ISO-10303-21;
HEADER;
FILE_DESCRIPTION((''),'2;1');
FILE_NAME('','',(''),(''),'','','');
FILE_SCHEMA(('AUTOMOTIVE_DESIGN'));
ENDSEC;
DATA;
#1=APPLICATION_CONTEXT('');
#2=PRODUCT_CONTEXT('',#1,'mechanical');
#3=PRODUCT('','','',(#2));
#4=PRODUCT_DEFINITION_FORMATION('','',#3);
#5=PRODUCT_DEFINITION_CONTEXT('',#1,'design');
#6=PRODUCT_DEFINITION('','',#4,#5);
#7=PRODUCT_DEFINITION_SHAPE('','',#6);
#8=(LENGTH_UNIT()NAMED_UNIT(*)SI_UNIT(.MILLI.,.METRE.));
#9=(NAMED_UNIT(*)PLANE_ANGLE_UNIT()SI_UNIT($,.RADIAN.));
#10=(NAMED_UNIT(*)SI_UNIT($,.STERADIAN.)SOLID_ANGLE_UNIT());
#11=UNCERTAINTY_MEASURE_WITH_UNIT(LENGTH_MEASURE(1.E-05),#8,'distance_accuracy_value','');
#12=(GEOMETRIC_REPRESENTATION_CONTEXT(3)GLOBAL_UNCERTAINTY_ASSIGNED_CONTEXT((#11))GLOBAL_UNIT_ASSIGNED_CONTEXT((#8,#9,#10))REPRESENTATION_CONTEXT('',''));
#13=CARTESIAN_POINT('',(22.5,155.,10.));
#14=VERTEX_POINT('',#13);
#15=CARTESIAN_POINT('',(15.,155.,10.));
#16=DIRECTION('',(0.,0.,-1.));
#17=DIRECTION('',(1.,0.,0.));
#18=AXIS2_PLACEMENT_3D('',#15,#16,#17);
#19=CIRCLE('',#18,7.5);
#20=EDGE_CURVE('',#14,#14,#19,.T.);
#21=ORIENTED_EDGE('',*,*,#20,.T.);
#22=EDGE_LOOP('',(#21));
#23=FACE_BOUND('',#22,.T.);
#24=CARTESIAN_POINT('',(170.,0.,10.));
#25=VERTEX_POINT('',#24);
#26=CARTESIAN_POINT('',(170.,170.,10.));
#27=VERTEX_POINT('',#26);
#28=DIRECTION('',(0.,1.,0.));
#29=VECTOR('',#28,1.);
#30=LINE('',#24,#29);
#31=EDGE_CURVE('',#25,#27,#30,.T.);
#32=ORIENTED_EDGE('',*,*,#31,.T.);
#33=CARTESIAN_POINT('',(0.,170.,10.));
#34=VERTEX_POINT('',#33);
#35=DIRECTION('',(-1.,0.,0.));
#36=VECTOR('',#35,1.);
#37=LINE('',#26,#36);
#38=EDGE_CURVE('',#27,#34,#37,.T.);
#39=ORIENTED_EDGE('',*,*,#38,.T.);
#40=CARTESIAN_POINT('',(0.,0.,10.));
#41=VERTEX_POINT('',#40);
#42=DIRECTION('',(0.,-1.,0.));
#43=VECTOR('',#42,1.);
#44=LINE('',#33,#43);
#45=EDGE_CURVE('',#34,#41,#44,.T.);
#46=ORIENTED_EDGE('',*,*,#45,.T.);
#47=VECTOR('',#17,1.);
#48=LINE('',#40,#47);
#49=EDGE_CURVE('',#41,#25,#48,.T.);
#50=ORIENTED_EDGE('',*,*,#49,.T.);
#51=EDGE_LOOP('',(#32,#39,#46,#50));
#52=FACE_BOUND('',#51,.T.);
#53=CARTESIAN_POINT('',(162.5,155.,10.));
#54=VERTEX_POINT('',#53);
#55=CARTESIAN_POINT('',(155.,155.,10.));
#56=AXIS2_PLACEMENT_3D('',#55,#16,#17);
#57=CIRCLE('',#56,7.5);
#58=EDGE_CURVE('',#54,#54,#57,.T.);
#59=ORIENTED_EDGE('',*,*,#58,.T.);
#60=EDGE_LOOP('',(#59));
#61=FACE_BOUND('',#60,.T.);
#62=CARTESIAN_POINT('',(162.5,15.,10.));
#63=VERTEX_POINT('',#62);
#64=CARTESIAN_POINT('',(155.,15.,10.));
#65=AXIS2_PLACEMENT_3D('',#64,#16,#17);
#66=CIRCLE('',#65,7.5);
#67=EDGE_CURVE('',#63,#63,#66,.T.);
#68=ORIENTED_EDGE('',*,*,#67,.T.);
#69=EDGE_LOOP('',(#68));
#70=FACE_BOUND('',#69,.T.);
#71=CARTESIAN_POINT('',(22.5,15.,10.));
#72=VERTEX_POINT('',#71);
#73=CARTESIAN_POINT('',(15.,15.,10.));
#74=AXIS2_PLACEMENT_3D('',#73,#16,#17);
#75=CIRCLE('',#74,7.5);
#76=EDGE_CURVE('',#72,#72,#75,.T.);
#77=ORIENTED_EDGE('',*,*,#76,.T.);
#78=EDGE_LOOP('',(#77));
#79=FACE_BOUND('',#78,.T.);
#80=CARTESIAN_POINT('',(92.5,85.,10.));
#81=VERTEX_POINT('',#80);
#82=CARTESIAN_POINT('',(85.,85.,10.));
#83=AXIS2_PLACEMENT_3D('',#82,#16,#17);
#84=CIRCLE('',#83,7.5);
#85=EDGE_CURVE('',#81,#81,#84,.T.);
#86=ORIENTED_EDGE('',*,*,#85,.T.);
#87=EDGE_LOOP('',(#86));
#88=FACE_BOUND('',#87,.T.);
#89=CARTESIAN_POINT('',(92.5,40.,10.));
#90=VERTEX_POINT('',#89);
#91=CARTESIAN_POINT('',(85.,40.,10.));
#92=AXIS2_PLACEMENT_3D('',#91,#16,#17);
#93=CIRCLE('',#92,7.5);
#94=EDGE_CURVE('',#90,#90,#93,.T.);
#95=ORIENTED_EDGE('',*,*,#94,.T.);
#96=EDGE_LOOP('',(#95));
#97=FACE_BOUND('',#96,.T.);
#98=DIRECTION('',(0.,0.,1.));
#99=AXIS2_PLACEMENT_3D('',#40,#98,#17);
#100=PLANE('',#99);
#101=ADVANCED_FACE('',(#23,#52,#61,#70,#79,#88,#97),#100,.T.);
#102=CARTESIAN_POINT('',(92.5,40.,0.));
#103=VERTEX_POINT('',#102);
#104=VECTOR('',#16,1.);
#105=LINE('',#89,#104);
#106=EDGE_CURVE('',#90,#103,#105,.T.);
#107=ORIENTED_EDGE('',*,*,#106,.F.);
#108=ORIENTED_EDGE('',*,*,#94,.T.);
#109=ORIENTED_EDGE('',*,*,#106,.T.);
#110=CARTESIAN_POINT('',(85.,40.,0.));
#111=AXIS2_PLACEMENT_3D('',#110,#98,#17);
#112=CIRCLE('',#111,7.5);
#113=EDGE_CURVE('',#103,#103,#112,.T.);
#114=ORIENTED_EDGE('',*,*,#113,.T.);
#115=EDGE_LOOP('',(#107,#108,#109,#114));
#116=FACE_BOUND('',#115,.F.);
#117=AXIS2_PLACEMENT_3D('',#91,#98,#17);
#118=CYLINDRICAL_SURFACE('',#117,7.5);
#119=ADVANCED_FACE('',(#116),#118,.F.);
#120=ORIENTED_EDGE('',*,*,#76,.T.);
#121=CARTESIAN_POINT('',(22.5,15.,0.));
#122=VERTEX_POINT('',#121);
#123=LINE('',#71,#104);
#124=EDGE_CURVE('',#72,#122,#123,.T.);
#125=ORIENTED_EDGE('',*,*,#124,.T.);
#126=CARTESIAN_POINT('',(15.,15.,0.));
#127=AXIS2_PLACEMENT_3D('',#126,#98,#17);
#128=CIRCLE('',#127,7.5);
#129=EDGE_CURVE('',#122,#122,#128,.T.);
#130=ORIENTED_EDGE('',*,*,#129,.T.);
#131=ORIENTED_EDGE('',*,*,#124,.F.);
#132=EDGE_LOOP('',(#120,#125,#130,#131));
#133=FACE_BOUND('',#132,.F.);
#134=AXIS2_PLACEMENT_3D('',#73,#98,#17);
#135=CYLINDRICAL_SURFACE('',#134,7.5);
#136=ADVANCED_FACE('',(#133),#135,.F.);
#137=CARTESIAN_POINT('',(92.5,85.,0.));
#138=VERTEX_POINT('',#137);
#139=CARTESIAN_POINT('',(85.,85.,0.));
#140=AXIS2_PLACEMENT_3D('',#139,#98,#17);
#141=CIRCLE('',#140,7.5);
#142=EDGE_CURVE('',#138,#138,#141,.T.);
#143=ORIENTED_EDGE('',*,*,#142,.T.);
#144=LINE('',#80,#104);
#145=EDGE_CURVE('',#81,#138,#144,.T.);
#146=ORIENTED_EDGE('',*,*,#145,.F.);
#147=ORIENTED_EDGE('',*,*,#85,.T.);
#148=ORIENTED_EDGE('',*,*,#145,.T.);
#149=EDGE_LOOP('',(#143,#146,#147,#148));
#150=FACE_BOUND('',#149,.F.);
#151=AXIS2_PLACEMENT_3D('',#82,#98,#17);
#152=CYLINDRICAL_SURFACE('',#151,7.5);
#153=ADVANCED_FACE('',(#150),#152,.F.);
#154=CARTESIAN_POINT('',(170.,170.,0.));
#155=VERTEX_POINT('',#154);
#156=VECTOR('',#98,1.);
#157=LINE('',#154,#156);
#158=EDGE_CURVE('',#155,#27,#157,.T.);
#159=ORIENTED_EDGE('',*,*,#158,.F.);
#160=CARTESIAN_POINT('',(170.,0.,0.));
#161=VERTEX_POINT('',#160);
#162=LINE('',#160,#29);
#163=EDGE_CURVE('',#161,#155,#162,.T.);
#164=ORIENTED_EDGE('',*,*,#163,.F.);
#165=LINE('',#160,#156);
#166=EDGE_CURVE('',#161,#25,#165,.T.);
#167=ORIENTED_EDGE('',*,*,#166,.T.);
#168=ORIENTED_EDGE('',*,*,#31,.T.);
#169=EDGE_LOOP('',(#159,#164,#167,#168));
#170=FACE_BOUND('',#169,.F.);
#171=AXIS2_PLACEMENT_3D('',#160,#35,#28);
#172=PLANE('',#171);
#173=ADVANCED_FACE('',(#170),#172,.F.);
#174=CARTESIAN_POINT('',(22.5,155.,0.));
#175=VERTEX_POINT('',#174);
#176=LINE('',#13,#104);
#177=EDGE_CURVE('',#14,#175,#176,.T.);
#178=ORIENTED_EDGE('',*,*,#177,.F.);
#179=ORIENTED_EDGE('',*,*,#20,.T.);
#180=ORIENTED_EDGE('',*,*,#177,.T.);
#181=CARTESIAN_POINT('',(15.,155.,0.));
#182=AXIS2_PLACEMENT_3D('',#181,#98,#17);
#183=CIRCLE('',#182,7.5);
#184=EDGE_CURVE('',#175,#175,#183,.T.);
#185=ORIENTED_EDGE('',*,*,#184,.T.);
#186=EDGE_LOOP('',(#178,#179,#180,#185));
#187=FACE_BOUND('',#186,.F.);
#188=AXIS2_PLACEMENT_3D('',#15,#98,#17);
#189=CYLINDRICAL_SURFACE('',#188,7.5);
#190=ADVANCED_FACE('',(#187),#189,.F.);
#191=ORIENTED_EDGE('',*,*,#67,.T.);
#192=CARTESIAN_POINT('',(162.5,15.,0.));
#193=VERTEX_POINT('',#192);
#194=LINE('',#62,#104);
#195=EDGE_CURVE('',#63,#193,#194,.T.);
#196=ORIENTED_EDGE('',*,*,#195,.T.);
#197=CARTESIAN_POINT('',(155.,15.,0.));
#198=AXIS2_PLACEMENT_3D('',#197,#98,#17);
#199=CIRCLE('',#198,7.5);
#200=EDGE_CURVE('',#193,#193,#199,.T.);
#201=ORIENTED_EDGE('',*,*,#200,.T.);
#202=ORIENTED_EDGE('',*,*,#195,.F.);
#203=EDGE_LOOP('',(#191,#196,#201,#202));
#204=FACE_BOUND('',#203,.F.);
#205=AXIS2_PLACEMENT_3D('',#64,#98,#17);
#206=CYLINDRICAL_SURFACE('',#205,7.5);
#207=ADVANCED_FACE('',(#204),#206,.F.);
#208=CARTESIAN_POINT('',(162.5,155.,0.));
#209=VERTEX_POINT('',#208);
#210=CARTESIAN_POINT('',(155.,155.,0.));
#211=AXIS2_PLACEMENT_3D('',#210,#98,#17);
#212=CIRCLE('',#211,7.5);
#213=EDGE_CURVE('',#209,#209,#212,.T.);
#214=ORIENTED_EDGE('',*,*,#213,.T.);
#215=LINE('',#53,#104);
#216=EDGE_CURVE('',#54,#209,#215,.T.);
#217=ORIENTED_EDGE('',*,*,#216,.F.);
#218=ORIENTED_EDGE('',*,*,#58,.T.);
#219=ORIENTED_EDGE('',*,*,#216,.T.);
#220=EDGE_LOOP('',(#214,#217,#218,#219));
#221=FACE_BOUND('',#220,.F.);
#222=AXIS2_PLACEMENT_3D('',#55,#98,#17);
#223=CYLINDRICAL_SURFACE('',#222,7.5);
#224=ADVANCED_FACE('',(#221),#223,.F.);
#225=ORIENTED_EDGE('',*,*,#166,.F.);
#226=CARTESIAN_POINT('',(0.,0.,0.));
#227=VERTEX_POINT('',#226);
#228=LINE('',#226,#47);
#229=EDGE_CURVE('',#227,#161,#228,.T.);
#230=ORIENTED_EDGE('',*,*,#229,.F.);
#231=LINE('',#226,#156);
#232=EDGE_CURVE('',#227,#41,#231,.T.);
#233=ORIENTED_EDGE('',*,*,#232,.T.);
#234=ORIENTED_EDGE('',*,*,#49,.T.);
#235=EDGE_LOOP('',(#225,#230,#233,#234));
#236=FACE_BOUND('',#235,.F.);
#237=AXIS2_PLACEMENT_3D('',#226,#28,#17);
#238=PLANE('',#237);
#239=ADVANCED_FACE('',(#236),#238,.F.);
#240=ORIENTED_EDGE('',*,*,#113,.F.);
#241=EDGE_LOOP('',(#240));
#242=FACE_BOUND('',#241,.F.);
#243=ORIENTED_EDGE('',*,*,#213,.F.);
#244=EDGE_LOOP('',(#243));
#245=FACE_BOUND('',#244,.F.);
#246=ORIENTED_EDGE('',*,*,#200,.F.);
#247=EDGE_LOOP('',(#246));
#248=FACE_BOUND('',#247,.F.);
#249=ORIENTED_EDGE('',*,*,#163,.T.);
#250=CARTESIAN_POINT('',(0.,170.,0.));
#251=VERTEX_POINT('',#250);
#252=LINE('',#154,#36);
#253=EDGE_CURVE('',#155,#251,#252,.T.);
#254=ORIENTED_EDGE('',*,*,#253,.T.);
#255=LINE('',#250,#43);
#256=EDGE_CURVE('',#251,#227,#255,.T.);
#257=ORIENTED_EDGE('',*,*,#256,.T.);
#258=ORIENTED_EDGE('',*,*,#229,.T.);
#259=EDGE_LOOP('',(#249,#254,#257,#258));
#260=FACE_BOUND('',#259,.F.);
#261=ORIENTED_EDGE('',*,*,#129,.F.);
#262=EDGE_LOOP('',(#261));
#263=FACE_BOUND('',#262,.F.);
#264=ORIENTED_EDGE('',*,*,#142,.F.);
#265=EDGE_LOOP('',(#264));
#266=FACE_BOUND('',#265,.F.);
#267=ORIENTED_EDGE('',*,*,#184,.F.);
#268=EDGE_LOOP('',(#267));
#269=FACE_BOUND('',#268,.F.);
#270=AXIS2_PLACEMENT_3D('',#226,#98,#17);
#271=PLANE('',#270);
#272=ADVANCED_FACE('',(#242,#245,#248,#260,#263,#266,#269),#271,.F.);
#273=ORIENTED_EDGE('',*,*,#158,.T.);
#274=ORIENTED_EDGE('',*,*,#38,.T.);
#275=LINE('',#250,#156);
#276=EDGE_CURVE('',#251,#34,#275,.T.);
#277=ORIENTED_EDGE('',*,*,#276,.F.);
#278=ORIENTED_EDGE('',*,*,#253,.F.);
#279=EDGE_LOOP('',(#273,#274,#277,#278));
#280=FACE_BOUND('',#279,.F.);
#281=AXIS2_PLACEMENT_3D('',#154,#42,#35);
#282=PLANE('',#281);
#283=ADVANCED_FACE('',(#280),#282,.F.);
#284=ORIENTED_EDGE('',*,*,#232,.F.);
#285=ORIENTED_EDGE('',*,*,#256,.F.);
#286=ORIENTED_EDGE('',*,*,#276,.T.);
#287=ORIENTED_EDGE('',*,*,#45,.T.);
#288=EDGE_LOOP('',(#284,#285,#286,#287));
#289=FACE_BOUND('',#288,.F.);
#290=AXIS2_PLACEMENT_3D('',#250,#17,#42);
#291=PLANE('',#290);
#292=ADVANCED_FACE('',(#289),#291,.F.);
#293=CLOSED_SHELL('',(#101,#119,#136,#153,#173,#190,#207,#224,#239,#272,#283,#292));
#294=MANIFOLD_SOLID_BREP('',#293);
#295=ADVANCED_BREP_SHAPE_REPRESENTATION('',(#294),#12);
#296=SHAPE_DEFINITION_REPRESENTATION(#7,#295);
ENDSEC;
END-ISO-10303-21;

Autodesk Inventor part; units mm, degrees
ref_plane "YZ Plane" through (0, 0, 0) normal (1, 0, 0) x (0, 1, 0)
ref_plane "XZ Plane" through (0, 0, 0) normal (0, 1, 0) x (-1, 0, 0)
ref_plane "XY Plane" through (0, 0, 0) normal (0, 0, 1) x (1, 0, 0)
sketch "Sketch1" plane through (0, 0, 0) normal (0, 0, 1) x (1, 0, 0)
  line L0 (0, 0) -> (170, 0)
  line L1 (170, 0) -> (170, 170)
  line L2 (170, 170) -> (0, 170)
  line L3 (0, 170) -> (0, 0)
  dimension "d0" = 170
  dimension "d1" = 170
extrude "Extrusion1" add sketch "Sketch1" along normal blind 10
sketch "Sketch2" plane through (0, 0, 10) normal (0, 0, 1) x (1, 0, 0)
  line L0 (170, 170) -> (0, 170) projected
  line L1 (0, 170) -> (0, 155)
  line L2 (0, 170) -> (0, 0) projected
  line L3 (0, 0) -> (170, 0) projected
  line L4 (0, 0) -> (0, 15)
  line L5 (0, 15) -> (155, 15)
  line L6 (155, 15) -> (155, 155)
  line L7 (155, 155) -> (15, 155)
  line L8 (15, 155) -> (15, 15)
  line L9 (15, 155) -> (30, 155)
  circle A0 centre (15, 155) radius 7.5
  circle A1 centre (155, 155) radius 7.5
  circle A2 centre (155, 15) radius 7.5
  circle A3 centre (15, 15) radius 7.5
  dimension "d4" = 15
  dimension "d5" = 15
  dimension "d6" = 155
  dimension "d7" = 140
  dimension "d8" = 140
  dimension "d9" = 140
  dimension "d10" = 15
  dimension "d11" = 15
  dimension "d12" = 15
  dimension "d13" = 15
extrude "Extrusion2" cut sketch "Sketch2" against normal blind 10 contours L8 A3 L5 | L5 A3 | L5 A3 L8 | A2 L6 L5 | L5 L6 A2 | A0 L7 L8 | L8 L7 A0 | A1 L7 L6 | L6 L7 A1
sketch "Sketch3" plane through (0, 0, 10) normal (0, 0, 1) x (1, 0, 0)
  line L0 (170, 170) -> (0, 170) projected
  line L1 (0, 170) -> (85, 170)
  line L2 (85, 170) -> (85, 85)
  circle A0 centre (85, 85) radius 7.5
  point P0 (0, 0)
  dimension "d16" = 85
  dimension "d17" = 85
  dimension "d18" = 15
extrude "Extrusion3" cut sketch "Sketch3" against normal blind 10
sketch "Sketch4" plane through (0, 0, 10) normal (0, 0, 1) x (1, 0, 0)
  line L0 (0, 0) -> (170, 0) projected
  line L1 (0, 0) -> (85, 0)
  line L2 (85, 0) -> (85, 40)
  circle A0 centre (85, 40) radius 7.5
  dimension "d21" = 85
  dimension "d22" = 40
  dimension "d23" = 15
extrude "Extrusion4" cut sketch "Sketch4" against normal blind 10
properties part number "AZ"
